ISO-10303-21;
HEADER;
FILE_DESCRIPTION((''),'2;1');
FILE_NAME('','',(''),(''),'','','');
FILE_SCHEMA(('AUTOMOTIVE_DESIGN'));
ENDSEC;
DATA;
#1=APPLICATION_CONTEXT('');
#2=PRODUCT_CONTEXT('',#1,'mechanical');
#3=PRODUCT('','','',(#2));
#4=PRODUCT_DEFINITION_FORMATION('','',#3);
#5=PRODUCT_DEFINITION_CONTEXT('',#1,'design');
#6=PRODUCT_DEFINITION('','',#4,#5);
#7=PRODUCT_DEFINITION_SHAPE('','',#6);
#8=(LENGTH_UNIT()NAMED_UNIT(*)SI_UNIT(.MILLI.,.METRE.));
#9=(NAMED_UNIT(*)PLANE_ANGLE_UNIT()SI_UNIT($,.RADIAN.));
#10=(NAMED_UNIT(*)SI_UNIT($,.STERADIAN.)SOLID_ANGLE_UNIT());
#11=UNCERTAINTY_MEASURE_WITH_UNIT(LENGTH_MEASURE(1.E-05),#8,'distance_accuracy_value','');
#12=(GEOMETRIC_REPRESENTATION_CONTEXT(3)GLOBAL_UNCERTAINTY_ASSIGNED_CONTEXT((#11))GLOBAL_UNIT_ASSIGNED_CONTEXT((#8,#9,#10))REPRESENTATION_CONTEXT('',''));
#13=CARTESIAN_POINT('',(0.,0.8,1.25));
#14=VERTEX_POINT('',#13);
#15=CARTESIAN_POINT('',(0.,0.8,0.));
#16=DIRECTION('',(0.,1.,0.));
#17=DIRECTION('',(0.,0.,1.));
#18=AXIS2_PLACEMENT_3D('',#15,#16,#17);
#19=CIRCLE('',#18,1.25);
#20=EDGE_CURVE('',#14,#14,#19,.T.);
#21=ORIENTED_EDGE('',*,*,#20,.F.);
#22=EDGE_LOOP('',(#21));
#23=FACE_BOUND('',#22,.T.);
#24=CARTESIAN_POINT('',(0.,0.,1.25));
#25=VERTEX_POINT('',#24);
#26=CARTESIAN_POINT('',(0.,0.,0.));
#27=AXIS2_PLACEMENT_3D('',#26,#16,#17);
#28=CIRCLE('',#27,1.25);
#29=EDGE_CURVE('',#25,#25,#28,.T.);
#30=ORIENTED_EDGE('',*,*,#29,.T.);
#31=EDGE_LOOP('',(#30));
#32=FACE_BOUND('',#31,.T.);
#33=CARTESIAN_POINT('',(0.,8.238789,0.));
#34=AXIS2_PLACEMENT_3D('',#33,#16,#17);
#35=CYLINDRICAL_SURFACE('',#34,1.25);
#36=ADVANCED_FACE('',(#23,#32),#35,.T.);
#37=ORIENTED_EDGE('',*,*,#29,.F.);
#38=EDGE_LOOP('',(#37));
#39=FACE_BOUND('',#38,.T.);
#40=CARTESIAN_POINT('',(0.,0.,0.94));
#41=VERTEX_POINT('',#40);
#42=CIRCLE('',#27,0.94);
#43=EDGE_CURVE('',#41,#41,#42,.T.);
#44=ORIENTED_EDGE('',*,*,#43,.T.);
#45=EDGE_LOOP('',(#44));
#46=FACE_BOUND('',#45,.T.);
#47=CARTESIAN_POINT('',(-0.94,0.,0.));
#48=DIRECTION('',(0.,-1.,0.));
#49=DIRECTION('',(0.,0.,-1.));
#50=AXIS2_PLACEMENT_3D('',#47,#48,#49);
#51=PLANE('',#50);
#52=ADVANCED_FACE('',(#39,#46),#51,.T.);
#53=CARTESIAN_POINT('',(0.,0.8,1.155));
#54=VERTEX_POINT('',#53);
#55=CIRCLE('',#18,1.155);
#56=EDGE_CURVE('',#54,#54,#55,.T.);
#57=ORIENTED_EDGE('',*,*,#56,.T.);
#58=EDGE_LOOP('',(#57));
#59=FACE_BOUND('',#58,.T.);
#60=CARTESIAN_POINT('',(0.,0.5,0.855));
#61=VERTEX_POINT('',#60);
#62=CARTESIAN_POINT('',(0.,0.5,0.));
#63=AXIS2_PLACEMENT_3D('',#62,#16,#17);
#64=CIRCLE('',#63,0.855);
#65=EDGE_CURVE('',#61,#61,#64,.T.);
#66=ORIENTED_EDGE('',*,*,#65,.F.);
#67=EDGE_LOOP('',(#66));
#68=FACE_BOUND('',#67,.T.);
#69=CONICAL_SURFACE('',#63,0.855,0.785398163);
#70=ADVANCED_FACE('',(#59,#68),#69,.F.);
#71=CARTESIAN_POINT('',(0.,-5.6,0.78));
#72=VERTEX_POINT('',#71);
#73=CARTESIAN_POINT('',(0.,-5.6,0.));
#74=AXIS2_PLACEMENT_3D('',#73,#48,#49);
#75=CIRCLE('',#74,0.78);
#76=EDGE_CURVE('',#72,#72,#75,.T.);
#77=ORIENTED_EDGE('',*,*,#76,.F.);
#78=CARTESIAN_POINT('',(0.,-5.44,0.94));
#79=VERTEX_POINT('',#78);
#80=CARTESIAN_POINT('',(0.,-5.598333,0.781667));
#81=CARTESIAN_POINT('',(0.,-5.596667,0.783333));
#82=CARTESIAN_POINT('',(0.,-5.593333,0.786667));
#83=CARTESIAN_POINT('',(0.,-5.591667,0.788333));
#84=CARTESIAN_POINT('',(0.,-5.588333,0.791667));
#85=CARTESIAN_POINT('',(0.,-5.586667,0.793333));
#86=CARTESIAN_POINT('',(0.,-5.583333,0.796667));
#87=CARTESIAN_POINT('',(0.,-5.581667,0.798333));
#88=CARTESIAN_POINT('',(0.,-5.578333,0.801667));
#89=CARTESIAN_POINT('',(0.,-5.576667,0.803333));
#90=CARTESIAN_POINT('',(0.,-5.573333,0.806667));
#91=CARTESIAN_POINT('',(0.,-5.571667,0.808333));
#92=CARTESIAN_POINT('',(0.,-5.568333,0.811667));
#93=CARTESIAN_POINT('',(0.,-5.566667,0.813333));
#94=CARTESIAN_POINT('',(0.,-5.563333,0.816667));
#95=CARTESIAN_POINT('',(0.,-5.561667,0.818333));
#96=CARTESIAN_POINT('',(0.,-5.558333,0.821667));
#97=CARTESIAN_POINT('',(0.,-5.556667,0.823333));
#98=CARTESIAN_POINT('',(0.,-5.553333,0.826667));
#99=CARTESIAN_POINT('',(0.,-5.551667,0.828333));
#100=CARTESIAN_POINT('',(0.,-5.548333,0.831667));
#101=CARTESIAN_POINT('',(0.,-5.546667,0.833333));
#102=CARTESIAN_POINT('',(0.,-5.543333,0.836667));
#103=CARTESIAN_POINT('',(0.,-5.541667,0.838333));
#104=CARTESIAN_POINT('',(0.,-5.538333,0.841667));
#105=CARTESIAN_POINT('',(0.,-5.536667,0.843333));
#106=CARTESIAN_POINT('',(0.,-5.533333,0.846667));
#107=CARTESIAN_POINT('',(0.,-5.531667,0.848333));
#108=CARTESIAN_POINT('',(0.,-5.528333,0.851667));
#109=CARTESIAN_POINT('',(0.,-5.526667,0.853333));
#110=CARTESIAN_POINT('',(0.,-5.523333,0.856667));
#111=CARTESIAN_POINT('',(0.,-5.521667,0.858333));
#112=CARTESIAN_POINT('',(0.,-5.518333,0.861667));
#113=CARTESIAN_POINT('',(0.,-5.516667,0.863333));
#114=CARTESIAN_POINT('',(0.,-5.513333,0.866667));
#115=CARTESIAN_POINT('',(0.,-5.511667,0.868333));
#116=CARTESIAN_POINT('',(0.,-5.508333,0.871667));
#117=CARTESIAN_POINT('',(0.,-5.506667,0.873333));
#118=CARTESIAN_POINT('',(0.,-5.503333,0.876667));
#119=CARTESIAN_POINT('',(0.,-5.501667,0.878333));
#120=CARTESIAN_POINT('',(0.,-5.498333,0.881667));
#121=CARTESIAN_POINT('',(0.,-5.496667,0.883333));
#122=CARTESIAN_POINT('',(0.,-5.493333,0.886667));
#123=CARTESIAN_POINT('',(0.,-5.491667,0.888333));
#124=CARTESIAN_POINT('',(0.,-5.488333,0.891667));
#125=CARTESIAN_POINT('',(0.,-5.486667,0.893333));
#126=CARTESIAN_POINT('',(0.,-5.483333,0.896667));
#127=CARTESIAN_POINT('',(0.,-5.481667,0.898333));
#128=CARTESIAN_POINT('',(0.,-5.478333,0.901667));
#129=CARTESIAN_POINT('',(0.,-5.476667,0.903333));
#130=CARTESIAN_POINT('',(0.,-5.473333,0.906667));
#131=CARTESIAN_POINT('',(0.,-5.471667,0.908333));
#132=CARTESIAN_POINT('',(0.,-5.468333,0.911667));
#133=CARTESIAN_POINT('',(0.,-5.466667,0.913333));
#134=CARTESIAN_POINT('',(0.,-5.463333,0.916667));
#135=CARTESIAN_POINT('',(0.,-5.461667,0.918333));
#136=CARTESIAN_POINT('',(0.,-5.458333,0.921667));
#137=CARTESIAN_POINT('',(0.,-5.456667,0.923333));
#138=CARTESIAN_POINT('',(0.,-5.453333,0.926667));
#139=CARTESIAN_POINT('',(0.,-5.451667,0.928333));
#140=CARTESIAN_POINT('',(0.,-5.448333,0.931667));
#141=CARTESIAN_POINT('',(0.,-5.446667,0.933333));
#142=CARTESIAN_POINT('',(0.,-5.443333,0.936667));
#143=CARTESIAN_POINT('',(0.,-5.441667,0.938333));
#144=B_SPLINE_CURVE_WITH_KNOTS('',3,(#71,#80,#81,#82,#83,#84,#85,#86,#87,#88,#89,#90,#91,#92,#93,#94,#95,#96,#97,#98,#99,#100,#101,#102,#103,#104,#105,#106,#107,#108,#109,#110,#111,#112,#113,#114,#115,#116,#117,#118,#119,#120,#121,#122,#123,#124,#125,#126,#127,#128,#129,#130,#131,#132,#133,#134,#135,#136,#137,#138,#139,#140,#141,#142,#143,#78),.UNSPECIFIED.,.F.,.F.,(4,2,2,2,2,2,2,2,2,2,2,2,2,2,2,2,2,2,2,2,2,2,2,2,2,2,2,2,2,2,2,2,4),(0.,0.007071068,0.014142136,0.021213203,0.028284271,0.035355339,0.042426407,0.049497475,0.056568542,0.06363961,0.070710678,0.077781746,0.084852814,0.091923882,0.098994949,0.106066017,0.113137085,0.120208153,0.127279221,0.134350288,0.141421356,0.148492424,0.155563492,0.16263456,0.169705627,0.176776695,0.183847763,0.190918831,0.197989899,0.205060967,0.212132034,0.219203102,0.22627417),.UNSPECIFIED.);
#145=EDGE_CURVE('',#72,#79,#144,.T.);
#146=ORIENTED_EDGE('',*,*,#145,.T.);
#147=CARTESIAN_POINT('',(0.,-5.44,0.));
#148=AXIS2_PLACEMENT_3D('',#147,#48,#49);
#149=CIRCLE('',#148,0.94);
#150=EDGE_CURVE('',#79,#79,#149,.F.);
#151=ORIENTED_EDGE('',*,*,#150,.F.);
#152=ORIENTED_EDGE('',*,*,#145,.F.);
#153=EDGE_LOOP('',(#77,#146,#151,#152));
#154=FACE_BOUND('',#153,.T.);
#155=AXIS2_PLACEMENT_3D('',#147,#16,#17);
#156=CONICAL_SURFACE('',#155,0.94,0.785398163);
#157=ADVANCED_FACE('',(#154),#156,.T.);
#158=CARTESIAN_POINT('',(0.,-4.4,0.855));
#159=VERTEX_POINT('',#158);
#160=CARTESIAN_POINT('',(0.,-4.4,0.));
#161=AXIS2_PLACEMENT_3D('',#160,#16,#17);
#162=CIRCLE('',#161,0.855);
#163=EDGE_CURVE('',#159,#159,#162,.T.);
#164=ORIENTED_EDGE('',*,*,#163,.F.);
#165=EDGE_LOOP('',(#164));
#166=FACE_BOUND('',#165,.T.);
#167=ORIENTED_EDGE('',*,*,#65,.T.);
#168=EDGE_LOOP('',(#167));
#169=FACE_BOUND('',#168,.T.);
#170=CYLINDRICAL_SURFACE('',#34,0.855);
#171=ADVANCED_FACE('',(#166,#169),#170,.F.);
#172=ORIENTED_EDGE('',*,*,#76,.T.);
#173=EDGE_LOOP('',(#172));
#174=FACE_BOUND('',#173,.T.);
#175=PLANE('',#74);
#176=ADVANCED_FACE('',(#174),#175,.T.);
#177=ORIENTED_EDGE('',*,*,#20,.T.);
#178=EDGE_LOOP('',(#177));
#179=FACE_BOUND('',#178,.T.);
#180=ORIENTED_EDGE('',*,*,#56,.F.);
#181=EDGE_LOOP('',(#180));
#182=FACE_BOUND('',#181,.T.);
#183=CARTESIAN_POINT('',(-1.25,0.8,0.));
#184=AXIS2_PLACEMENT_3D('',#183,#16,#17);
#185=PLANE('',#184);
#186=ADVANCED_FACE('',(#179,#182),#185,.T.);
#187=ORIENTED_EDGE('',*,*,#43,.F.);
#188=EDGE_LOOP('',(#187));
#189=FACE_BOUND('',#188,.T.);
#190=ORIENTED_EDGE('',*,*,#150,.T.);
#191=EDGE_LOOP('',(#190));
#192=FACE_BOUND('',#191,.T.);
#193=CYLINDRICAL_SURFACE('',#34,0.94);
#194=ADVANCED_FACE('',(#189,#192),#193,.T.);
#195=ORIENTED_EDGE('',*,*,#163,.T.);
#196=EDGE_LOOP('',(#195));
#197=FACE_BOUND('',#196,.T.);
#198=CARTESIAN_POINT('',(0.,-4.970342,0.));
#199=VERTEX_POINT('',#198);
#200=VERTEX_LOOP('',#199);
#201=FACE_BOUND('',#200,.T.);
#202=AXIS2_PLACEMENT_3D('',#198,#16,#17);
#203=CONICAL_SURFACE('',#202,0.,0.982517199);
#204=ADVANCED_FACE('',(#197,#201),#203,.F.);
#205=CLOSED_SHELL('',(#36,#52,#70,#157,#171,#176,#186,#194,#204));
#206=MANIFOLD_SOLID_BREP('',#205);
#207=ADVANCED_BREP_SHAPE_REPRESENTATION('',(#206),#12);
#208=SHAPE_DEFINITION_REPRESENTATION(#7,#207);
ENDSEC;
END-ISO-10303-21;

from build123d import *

# Parameters (mm, degrees)
CHAMFER_1_SIZE = 0.16


with BuildPart() as part:
    # 草图1 → 旋转1 (revolve)
    with BuildSketch(Plane.XY, mode=Mode.PRIVATE) as revolve_1_sk:
        Polygon((0, -5.6), (-0.94, -5.6), (-0.94, 0), (-1.25, 0), (-1.25, 0.8), (-1.155, 0.8), (-0.855, 0.5), (-0.855, -4.4), (0, -4.97034157), align=None)
    revolve(revolve_1_sk.sketch.rotate(Axis((0, 8.238789055, 0), (0, -1, 0)), 270), axis=Axis((0, 8.238789055, 0), (0, -1, 0)))

    # 倒角1
    chamfer_1_edges = [part.edges().sort_by_distance(p)[0] for p in [
        (0, -5.6, -0.94),
    ]]
    chamfer(chamfer_1_edges, length=CHAMFER_1_SIZE)


solid = part.part
